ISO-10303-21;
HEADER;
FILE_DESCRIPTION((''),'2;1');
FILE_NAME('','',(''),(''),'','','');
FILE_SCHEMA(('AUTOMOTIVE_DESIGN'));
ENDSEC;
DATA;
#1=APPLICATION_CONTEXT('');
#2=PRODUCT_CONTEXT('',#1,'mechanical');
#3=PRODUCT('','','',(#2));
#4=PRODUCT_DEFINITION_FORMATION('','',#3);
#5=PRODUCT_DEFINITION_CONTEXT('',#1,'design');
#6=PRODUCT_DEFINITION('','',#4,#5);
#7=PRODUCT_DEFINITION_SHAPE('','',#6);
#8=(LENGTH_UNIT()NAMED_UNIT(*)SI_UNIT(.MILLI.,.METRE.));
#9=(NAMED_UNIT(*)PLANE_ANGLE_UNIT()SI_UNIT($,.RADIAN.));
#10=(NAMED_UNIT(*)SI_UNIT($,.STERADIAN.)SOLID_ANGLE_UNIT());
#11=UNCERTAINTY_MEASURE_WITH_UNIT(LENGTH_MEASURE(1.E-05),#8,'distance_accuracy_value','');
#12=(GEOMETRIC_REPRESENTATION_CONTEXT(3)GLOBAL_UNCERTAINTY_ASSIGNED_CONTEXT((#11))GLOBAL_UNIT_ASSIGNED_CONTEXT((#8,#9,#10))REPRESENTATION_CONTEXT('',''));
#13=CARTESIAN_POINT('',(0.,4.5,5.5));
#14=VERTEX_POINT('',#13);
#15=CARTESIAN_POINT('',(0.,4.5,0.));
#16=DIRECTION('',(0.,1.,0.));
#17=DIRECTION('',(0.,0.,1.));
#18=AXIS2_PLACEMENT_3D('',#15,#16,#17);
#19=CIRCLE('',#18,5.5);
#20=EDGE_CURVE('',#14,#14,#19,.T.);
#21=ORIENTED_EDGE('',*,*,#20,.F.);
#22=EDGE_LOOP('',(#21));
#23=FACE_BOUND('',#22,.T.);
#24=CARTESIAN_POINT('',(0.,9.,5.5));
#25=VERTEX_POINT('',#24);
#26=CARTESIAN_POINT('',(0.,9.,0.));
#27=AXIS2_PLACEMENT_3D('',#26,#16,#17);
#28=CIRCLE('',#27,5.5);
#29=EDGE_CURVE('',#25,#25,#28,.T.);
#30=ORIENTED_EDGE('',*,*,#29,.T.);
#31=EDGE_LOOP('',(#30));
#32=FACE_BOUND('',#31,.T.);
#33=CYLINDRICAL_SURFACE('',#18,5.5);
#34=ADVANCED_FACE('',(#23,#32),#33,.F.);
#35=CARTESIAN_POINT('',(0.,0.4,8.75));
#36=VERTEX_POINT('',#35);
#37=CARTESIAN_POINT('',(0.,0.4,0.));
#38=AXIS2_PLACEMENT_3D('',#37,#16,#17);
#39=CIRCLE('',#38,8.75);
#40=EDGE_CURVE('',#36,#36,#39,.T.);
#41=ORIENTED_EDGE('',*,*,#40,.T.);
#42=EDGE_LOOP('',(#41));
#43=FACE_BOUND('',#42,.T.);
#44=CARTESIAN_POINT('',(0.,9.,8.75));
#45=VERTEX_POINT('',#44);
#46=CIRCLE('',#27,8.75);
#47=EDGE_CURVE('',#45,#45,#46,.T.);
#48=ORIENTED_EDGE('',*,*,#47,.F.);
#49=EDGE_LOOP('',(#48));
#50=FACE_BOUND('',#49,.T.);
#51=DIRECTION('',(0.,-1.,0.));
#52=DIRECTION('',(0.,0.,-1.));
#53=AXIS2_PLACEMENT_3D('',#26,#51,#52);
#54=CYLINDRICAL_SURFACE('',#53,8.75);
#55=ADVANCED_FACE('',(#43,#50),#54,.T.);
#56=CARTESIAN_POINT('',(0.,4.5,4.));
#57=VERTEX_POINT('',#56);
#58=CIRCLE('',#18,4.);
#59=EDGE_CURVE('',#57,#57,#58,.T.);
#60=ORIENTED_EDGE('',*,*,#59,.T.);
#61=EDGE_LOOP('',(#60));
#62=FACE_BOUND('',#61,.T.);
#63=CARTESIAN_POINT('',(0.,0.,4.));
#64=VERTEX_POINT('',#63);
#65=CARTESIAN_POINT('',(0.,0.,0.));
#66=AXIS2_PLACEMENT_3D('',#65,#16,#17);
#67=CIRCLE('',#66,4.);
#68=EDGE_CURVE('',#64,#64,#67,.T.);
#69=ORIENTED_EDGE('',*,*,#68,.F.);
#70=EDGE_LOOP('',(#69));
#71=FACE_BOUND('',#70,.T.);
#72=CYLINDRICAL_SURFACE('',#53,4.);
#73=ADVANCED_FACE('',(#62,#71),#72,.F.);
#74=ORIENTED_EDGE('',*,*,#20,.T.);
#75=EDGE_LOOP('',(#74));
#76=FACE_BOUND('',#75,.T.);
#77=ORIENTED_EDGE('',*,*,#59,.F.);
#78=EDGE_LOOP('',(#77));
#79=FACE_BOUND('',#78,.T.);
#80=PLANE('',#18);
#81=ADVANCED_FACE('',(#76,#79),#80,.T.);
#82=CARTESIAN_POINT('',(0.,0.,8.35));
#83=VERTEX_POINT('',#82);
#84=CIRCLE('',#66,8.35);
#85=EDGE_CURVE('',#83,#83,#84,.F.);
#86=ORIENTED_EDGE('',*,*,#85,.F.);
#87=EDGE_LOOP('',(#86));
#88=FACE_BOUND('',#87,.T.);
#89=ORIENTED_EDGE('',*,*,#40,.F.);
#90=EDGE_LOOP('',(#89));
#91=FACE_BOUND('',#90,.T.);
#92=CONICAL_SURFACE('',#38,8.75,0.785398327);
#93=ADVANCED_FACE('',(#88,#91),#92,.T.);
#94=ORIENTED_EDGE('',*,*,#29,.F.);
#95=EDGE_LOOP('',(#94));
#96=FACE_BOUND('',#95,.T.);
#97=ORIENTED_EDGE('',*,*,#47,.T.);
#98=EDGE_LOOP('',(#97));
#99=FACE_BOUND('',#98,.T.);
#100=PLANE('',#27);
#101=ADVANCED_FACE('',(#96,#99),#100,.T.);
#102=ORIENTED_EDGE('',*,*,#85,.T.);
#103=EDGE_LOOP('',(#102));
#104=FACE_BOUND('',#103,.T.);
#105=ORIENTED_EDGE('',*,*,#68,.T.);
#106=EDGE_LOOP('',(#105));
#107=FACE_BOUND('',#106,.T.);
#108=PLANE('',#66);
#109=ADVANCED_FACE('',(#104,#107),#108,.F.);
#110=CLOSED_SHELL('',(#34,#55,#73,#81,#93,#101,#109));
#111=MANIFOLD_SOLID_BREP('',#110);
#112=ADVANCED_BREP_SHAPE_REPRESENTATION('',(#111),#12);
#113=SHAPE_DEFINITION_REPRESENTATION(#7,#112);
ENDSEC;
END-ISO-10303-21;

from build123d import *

# Parameters (mm, degrees)
SKETCH1_R           = 8.75
SKETCH1_R_2         = 4
BOSS_EXTRUDE1_DEPTH = 9
SKETCH2_R           = 5.5
CUT_EXTRUDE1_DEPTH  = 4.5
CHAMFER1_SIZE       = 0.4
CHAMFER1_SIZE2      = 0.399999869


with BuildPart() as part:
    # Sketch1 → Boss-Extrude1 (new body)
    with BuildSketch(Plane(origin=(0, 0, 0), x_dir=(1, 0, 0), z_dir=(0, 1, 0))):
        with Locations(Location((0, 0, 0), (0, 0, 270))):
            Circle(SKETCH1_R)
        with Locations(Location((0, 0, 0), (0, 0, 270))):
            Circle(SKETCH1_R_2, mode=Mode.SUBTRACT)
    extrude(amount=BOSS_EXTRUDE1_DEPTH)

    # Sketch2 → Cut-Extrude1 (cut, symmetric)
    with BuildSketch(Plane(origin=(0, 9, 0), x_dir=(1, 0, 0), z_dir=(0, 1, 0))):
        with Locations(Location((0, 0, 0), (0, 0, 270))):
            Circle(SKETCH2_R)
    extrude(amount=CUT_EXTRUDE1_DEPTH, both=True, mode=Mode.SUBTRACT)

    # Chamfer1
    chamfer1_edges = [part.edges().sort_by_distance(p)[0] for p in [
        (0, 0, -8.75),
    ]]
    chamfer1_side = [part.faces().sort_by_distance(p)[0] for p in [
        (0, 4.5, -8.75),
    ]]
    chamfer(chamfer1_edges, length=CHAMFER1_SIZE, length2=CHAMFER1_SIZE2, reference=chamfer1_side[0])


solid = part.part
